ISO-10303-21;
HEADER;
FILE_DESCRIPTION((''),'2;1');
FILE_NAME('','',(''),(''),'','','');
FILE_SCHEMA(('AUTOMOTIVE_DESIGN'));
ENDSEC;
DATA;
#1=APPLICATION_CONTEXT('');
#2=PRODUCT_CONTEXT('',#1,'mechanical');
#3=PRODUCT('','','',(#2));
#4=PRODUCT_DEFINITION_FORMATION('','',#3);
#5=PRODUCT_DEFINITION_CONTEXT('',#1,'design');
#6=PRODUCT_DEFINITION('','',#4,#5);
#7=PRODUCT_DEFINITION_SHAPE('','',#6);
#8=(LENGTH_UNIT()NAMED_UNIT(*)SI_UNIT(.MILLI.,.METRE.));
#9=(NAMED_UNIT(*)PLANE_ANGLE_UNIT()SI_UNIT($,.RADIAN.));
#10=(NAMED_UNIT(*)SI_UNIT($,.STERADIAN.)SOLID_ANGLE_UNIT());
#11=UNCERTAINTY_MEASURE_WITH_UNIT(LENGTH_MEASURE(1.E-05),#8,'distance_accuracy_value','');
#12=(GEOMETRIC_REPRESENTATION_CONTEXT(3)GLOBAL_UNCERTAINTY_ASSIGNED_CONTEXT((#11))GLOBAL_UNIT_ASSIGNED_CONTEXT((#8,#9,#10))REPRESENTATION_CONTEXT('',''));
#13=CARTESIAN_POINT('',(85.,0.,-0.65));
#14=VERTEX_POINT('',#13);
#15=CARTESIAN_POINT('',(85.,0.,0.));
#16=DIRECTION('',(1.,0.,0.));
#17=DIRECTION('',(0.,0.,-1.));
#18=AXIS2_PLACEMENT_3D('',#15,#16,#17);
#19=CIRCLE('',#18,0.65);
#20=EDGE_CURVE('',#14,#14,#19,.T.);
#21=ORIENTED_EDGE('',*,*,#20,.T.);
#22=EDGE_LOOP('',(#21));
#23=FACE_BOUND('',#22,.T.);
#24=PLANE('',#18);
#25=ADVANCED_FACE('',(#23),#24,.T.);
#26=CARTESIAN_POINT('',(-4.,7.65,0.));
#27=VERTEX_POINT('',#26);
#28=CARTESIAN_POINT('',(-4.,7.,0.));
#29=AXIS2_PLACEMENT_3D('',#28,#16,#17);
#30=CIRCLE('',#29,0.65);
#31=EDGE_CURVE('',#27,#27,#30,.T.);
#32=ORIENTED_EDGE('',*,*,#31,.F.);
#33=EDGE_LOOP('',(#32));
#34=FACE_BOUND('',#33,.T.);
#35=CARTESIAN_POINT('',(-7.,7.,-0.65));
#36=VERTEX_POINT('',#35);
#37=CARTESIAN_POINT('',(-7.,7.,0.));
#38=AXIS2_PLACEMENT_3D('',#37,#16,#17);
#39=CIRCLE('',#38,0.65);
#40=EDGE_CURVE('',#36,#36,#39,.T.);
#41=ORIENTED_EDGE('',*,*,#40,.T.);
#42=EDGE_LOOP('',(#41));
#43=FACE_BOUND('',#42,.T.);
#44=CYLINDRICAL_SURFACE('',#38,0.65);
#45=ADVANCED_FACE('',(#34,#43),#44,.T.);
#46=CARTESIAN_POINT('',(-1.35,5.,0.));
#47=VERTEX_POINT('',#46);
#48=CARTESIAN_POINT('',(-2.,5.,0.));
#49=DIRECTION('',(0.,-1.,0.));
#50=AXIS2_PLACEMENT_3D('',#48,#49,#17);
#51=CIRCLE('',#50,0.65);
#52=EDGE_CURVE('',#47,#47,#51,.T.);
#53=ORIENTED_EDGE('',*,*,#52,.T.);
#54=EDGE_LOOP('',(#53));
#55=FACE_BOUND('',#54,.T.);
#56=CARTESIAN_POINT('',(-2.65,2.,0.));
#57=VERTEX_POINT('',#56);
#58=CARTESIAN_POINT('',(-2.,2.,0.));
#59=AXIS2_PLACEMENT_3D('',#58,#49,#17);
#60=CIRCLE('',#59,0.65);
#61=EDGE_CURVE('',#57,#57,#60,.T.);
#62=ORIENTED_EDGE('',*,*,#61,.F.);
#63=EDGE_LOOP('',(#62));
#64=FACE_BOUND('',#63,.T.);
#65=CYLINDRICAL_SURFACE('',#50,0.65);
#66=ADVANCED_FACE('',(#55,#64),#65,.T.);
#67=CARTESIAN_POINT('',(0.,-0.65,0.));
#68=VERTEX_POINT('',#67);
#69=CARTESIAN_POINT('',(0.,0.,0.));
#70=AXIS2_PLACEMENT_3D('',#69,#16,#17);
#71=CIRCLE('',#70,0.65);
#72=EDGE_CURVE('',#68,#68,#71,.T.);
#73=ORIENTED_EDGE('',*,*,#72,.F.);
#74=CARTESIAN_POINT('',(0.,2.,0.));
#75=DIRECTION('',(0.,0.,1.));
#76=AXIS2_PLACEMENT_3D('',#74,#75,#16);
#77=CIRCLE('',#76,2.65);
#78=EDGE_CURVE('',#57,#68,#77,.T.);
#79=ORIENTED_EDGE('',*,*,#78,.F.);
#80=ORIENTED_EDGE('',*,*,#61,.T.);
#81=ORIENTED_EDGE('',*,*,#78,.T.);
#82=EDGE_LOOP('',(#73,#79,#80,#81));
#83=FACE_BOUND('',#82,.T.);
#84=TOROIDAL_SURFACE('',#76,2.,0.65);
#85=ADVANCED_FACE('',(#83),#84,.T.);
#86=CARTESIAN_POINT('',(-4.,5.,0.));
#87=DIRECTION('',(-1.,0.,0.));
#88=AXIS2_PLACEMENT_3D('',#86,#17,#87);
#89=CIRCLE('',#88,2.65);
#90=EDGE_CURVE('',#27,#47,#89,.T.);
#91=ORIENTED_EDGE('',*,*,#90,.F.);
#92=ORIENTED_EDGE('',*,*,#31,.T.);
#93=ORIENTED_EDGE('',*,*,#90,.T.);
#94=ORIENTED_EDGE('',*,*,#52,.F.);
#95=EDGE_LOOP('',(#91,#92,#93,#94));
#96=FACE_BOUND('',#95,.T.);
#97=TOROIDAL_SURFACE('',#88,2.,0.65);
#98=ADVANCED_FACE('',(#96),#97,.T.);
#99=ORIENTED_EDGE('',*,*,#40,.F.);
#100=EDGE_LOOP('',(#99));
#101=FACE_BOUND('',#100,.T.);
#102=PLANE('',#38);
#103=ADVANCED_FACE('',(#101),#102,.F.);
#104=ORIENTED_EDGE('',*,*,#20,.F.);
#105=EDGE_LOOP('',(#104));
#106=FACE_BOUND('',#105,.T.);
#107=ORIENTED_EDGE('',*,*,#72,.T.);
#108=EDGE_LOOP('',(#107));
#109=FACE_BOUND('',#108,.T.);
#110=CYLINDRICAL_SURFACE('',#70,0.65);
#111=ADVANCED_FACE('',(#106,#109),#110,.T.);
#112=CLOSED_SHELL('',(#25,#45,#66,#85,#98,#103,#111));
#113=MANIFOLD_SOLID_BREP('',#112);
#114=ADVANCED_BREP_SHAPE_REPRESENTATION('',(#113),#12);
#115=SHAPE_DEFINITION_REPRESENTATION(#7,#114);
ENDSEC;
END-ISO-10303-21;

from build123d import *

# Parameters (mm, degrees)
SKETCH2_R = 0.65


with BuildPart() as part:
    # Sweep1: sweep along a path in Sketch1
    with BuildLine(Plane.XY) as sweep1_path:
        Line((85, 0), (0, 0))
        ThreePointArc((0, 0), (-1.414213562, 0.585786438), (-2, 2))
        Line((-2, 2), (-2, 5))
        ThreePointArc((-2, 5), (-2.585786438, 6.414213562), (-4, 7))
        Line((-4, 7), (-7, 7))
    # Sketch2 → Sweep1 (sweep)
    with BuildSketch(Plane(origin=(85, 0, 0), x_dir=(0, 0, -1), z_dir=(1, 0, 0))):
        Circle(SKETCH2_R)
    sweep(path=sweep1_path.line)


solid = part.part
